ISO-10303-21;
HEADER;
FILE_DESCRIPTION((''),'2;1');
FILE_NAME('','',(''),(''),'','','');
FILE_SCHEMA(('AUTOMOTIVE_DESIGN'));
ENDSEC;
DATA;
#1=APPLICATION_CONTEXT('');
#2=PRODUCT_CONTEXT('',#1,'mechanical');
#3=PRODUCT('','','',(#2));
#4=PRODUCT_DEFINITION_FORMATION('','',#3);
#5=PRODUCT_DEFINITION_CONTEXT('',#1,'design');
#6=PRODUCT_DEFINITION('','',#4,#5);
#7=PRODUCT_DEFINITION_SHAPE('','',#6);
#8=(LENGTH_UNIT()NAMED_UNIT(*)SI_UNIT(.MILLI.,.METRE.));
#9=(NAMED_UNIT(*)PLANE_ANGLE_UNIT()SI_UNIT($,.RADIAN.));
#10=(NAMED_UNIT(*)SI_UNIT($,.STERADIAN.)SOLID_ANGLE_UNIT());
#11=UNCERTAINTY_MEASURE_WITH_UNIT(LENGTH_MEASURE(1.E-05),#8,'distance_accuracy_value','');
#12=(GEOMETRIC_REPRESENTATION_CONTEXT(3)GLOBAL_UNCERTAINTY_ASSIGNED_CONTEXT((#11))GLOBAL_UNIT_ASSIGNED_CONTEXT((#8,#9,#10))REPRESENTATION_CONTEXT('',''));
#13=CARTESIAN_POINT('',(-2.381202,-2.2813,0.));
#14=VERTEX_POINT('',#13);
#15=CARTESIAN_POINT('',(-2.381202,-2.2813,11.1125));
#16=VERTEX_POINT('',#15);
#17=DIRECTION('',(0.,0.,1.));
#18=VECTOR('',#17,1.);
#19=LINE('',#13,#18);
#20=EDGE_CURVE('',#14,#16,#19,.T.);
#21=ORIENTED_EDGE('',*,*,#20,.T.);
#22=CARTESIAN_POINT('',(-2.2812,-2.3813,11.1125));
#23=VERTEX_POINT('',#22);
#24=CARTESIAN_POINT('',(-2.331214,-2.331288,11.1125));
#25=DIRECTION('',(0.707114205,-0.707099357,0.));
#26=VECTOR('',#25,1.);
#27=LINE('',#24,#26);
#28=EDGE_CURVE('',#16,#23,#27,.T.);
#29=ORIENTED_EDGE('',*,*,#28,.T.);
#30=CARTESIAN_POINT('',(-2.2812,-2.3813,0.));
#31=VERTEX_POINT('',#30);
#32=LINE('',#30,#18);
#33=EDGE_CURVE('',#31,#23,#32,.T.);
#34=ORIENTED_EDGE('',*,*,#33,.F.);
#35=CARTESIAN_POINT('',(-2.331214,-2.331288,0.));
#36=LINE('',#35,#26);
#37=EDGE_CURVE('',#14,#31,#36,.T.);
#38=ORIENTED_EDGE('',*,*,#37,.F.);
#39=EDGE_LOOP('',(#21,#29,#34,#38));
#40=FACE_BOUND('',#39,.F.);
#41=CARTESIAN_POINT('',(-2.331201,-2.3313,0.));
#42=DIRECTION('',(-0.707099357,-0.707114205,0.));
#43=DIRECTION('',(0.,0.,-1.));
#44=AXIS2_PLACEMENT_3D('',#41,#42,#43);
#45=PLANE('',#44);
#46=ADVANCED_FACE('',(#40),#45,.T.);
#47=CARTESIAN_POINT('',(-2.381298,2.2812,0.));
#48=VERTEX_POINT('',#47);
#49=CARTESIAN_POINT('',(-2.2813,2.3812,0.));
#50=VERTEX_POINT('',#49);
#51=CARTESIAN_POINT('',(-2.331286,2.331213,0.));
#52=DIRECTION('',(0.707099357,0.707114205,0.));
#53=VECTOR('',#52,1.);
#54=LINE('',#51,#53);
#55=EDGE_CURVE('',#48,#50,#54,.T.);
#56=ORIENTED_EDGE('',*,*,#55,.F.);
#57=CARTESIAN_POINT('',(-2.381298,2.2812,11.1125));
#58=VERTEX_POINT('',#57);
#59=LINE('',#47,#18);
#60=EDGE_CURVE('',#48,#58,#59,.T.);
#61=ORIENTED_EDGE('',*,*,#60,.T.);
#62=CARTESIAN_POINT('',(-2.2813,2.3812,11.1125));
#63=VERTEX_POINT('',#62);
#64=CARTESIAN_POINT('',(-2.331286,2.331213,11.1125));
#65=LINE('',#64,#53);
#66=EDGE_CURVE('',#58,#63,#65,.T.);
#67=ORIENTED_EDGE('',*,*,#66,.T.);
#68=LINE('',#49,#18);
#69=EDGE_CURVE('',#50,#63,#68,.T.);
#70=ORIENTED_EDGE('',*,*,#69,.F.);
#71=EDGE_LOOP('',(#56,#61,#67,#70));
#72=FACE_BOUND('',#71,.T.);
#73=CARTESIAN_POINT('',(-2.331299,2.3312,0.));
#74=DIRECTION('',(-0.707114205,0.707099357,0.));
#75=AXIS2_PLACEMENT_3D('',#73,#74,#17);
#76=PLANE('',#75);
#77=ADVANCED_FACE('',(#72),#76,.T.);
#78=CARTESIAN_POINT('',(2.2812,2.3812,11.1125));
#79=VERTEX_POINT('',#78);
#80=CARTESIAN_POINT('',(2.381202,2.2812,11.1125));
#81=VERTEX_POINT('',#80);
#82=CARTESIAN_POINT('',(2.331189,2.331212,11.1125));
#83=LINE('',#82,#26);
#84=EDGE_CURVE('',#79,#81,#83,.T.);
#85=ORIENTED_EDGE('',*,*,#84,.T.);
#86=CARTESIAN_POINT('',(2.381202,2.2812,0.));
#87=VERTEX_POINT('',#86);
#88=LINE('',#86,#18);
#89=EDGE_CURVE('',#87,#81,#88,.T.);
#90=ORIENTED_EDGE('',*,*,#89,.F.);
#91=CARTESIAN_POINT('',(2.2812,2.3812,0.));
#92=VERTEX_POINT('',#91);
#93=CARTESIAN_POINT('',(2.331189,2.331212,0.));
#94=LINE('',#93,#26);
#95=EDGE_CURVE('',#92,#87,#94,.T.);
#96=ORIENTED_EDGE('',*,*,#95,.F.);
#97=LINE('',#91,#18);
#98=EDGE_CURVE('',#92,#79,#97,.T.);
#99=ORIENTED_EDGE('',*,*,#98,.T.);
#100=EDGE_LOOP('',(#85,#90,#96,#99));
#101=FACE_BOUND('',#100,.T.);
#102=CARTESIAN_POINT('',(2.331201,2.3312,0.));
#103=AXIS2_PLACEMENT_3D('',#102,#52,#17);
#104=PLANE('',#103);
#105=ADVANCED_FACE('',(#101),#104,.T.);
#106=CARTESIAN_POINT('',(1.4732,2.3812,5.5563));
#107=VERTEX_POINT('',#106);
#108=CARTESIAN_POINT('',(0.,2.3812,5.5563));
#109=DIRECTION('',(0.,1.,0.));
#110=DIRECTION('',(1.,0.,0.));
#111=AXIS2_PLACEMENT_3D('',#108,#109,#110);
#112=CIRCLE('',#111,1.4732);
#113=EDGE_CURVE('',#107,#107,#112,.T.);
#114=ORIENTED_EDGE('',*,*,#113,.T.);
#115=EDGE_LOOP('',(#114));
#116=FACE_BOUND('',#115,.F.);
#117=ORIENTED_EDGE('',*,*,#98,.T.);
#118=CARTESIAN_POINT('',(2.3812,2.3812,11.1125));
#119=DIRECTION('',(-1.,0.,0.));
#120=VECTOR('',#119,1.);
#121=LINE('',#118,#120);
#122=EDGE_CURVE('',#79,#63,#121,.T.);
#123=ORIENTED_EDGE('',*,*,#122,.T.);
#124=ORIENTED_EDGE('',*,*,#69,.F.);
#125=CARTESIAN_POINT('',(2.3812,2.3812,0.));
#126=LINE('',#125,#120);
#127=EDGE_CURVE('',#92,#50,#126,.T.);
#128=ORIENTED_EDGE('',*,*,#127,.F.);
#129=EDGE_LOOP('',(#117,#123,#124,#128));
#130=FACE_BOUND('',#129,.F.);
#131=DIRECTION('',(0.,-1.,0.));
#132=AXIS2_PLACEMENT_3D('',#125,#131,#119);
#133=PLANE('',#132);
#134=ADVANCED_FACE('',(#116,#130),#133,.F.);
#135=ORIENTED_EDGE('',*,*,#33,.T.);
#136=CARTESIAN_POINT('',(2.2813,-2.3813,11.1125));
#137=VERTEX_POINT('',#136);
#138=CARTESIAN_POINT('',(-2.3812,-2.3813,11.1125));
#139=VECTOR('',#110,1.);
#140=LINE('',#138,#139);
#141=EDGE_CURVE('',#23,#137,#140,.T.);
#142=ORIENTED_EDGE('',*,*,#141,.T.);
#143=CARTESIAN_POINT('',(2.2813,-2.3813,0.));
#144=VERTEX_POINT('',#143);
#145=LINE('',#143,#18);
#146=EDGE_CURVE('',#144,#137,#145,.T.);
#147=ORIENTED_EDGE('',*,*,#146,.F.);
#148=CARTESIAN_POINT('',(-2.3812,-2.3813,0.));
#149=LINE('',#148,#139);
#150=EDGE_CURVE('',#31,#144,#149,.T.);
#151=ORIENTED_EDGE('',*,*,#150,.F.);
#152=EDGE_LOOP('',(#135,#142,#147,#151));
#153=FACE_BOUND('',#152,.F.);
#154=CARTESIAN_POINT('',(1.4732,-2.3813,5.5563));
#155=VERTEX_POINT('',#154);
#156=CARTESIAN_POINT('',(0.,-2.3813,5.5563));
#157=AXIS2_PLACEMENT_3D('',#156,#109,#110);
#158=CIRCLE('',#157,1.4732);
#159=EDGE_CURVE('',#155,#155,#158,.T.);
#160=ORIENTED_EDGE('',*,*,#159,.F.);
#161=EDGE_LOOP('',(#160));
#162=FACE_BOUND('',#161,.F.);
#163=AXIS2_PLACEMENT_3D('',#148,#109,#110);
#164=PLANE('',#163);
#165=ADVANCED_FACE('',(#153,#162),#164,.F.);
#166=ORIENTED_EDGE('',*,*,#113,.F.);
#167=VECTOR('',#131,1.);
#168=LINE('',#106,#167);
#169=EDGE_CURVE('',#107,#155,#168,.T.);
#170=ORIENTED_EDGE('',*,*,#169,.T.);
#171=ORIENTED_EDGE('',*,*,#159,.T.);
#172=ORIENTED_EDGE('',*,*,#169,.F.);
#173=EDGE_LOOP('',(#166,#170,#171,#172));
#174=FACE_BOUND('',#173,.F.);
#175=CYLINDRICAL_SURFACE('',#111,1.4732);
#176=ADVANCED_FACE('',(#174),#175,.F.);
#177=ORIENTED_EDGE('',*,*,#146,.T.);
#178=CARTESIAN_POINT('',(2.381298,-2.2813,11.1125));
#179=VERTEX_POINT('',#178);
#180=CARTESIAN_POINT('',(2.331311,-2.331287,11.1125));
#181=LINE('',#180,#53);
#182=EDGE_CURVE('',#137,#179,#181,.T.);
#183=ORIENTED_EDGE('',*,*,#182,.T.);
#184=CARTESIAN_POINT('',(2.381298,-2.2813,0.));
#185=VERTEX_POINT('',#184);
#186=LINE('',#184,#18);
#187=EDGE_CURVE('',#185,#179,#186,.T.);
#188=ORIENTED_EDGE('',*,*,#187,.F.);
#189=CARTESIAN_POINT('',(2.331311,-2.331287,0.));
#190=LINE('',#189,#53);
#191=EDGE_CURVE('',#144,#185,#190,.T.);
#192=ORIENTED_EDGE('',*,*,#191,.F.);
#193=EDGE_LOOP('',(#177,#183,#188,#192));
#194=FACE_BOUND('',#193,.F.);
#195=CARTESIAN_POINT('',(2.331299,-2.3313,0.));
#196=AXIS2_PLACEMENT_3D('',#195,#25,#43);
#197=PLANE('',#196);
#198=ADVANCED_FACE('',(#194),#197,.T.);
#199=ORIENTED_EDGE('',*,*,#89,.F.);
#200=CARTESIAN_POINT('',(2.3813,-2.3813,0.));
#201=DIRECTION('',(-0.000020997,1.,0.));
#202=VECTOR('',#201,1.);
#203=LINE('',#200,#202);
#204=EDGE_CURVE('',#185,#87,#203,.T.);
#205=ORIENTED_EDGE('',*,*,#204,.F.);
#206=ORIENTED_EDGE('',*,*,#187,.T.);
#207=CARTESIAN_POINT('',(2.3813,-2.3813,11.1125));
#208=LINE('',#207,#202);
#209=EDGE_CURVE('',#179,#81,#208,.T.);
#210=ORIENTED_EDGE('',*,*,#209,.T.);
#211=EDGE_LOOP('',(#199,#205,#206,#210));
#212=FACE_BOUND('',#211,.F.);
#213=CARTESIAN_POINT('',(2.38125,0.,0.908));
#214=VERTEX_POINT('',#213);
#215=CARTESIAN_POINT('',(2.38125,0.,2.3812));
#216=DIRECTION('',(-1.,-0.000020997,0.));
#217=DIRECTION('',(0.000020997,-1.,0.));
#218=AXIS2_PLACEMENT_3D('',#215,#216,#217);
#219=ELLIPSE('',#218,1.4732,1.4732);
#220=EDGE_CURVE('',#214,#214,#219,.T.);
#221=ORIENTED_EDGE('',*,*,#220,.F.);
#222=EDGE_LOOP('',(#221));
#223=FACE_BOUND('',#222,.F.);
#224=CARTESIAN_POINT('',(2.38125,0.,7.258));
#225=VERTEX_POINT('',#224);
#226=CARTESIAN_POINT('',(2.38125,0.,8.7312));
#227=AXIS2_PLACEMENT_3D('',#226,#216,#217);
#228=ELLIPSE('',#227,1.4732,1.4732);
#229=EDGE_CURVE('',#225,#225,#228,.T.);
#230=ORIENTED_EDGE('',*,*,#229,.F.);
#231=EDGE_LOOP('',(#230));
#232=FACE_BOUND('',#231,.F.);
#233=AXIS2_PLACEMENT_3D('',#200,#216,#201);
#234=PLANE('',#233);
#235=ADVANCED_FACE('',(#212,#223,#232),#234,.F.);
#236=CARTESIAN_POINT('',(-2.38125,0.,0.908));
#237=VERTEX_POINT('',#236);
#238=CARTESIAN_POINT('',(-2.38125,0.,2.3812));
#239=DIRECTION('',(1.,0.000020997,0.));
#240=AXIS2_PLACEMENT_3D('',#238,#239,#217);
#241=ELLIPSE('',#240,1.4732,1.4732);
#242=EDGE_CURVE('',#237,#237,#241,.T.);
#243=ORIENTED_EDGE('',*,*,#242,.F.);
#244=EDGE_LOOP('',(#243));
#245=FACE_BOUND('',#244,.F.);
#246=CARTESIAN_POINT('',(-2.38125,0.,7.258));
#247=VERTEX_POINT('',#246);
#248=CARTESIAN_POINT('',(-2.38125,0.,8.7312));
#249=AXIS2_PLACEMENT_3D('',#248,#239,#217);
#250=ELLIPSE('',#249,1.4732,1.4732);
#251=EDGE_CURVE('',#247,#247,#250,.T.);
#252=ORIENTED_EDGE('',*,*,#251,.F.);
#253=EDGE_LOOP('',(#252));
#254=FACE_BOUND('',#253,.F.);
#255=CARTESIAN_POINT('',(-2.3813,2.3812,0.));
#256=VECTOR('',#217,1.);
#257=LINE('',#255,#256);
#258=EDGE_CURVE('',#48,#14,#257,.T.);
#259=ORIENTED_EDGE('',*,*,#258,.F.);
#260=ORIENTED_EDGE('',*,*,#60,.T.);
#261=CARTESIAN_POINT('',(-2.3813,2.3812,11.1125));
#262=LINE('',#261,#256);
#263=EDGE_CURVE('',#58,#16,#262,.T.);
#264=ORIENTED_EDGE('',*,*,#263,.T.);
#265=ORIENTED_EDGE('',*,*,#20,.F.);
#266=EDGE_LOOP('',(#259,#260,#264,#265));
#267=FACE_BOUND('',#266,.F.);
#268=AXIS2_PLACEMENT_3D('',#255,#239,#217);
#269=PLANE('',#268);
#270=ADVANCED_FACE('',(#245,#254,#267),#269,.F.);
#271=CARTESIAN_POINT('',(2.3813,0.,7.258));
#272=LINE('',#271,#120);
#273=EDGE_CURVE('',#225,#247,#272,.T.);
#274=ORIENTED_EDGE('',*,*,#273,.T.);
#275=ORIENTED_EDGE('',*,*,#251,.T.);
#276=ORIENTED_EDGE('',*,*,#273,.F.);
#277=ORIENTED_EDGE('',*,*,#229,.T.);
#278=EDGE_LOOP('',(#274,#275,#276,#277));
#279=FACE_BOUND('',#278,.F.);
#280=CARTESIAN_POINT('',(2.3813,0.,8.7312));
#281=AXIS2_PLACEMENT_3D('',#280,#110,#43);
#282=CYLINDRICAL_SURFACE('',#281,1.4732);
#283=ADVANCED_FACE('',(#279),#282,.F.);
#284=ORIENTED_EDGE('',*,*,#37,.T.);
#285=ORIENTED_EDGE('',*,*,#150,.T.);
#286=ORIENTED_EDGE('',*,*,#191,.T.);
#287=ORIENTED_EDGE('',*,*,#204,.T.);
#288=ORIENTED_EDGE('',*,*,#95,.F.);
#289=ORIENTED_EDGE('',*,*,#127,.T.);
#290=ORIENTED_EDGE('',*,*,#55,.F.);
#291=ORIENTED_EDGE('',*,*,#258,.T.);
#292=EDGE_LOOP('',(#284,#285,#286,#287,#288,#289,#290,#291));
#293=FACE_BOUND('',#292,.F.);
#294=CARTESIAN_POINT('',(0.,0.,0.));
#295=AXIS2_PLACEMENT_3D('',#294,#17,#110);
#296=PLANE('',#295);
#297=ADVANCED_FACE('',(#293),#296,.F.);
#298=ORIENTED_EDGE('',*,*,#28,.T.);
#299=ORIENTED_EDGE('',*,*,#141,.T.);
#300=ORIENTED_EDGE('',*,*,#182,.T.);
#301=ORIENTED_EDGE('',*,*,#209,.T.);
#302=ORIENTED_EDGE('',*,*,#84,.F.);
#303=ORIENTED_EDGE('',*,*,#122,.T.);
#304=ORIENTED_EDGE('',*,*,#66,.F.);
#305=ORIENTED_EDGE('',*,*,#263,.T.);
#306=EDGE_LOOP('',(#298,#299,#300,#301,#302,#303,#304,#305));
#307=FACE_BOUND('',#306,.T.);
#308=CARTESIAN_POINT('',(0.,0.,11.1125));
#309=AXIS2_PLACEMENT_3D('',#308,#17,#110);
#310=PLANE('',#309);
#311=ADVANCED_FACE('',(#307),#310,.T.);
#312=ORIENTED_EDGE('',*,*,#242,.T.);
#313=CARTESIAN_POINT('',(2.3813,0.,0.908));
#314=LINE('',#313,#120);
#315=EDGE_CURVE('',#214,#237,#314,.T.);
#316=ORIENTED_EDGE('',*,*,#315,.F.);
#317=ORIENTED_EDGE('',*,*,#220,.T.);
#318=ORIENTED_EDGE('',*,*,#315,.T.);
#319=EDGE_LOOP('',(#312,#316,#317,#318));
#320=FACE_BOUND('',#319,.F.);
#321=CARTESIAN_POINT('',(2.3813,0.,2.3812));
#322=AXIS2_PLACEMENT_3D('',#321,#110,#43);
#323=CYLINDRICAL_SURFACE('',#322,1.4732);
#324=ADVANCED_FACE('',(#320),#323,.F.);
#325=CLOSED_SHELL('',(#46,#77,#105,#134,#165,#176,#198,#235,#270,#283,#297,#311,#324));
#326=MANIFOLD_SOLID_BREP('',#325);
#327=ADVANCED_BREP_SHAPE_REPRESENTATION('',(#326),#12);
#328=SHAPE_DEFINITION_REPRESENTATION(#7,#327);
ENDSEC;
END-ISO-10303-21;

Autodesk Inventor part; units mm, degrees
ref_plane "YZ Plane" through (0, 0, 0) normal (1, 0, 0) x (0, 1, 0)
ref_plane "XZ Plane" through (0, 0, 0) normal (0, 1, 0) x (-1, 0, 0)
ref_plane "XY Plane" through (0, 0, 0) normal (0, 0, 1) x (1, 0, 0)
sketch "Sketch1" plane through (0, 0, 0) normal (0, 0, 1) x (1, 0, 0)
  line L0 (-2.3812, -2.3813) -> (2.3813, -2.3813)
  line L1 (2.3813, -2.3813) -> (2.3812, 2.3812)
  line L2 (2.3812, 2.3812) -> (-2.3813, 2.3812)
  line L3 (-2.3813, 2.3812) -> (-2.3812, -2.3813)
  line L4 (-2.3812, -2.3813) -> (2.3812, 2.3812) construction
  line L5 (2.3813, -2.3813) -> (-2.3813, 2.3812) construction
  point P0 (0, 0)
  dimension "d0" = 4.7625
  dimension "d1" = 4.7625
extrude "Extrusion1" add sketch "Sketch1" along normal blind 11.1125
sketch "Sketch2" plane through (-2.3813, 2.3812, 0) normal (0, 1, 0) x (1, 0, 0)
  line L0 (2.3813, 0) -> (2.3813, -11.1125) construction
  line L1 (4.7625, -11.1125) -> (0, -11.1125) projected
  circle A0 centre (2.3813, -5.5563) radius 1.4732
  circle A1 centre (2.3813, -11.9062) radius 1.4732
  circle A2 centre (2.3813, -18.2563) radius 1.4732
  circle A3 centre (2.3813, -24.6063) radius 1.4732
  circle A4 centre (2.3813, -29.3688) radius 1.4493 construction
  line L2 (4.7625, 0) -> (0, 0) projected
  dimension "d4" = 2.9464
  dimension "d7" = 6.35
  dimension "d12" = 4.7625
  dimension "d13" = 5.5563
extrude "Extrusion2" cut sketch "Sketch2" against normal through all contours A0 | A2 | A3
sketch "Sketch3" plane through (2.3813, -2.3813, 0) normal (1, 0, 0) x (0, 0, -1)
  line L0 (0, 2.3813) -> (-11.1125, 2.3813) construction
  line L1 (-11.1125, 0) -> (-11.1125, 4.7625) projected
  circle A0 centre (-8.7312, 2.3813) radius 1.4732
  circle A1 centre (-2.3812, 2.3813) radius 1.4732
  circle A2 centre (3.9688, 2.3813) radius 1.4732
  circle A3 centre (10.3188, 2.3813) radius 1.4732
  dimension "d16" = 2.9464
  dimension "d17" = 2.3813
  dimension "d20" = 6.35
extrude "Extrusion3" cut sketch "Sketch3" against normal through all
chamfer "Chamfer1" distance 0.1 angle 45 4 edges at (-2.3813, 2.3812, 5.5563) (2.3812, 2.3812, 5.5563) (2.3813, -2.3813, 5.5563) (-2.3812, -2.3813, 5.5563)
equation "\"d1\" = d0"
properties part number "Nut Strip" material "Aluminum 6061"
